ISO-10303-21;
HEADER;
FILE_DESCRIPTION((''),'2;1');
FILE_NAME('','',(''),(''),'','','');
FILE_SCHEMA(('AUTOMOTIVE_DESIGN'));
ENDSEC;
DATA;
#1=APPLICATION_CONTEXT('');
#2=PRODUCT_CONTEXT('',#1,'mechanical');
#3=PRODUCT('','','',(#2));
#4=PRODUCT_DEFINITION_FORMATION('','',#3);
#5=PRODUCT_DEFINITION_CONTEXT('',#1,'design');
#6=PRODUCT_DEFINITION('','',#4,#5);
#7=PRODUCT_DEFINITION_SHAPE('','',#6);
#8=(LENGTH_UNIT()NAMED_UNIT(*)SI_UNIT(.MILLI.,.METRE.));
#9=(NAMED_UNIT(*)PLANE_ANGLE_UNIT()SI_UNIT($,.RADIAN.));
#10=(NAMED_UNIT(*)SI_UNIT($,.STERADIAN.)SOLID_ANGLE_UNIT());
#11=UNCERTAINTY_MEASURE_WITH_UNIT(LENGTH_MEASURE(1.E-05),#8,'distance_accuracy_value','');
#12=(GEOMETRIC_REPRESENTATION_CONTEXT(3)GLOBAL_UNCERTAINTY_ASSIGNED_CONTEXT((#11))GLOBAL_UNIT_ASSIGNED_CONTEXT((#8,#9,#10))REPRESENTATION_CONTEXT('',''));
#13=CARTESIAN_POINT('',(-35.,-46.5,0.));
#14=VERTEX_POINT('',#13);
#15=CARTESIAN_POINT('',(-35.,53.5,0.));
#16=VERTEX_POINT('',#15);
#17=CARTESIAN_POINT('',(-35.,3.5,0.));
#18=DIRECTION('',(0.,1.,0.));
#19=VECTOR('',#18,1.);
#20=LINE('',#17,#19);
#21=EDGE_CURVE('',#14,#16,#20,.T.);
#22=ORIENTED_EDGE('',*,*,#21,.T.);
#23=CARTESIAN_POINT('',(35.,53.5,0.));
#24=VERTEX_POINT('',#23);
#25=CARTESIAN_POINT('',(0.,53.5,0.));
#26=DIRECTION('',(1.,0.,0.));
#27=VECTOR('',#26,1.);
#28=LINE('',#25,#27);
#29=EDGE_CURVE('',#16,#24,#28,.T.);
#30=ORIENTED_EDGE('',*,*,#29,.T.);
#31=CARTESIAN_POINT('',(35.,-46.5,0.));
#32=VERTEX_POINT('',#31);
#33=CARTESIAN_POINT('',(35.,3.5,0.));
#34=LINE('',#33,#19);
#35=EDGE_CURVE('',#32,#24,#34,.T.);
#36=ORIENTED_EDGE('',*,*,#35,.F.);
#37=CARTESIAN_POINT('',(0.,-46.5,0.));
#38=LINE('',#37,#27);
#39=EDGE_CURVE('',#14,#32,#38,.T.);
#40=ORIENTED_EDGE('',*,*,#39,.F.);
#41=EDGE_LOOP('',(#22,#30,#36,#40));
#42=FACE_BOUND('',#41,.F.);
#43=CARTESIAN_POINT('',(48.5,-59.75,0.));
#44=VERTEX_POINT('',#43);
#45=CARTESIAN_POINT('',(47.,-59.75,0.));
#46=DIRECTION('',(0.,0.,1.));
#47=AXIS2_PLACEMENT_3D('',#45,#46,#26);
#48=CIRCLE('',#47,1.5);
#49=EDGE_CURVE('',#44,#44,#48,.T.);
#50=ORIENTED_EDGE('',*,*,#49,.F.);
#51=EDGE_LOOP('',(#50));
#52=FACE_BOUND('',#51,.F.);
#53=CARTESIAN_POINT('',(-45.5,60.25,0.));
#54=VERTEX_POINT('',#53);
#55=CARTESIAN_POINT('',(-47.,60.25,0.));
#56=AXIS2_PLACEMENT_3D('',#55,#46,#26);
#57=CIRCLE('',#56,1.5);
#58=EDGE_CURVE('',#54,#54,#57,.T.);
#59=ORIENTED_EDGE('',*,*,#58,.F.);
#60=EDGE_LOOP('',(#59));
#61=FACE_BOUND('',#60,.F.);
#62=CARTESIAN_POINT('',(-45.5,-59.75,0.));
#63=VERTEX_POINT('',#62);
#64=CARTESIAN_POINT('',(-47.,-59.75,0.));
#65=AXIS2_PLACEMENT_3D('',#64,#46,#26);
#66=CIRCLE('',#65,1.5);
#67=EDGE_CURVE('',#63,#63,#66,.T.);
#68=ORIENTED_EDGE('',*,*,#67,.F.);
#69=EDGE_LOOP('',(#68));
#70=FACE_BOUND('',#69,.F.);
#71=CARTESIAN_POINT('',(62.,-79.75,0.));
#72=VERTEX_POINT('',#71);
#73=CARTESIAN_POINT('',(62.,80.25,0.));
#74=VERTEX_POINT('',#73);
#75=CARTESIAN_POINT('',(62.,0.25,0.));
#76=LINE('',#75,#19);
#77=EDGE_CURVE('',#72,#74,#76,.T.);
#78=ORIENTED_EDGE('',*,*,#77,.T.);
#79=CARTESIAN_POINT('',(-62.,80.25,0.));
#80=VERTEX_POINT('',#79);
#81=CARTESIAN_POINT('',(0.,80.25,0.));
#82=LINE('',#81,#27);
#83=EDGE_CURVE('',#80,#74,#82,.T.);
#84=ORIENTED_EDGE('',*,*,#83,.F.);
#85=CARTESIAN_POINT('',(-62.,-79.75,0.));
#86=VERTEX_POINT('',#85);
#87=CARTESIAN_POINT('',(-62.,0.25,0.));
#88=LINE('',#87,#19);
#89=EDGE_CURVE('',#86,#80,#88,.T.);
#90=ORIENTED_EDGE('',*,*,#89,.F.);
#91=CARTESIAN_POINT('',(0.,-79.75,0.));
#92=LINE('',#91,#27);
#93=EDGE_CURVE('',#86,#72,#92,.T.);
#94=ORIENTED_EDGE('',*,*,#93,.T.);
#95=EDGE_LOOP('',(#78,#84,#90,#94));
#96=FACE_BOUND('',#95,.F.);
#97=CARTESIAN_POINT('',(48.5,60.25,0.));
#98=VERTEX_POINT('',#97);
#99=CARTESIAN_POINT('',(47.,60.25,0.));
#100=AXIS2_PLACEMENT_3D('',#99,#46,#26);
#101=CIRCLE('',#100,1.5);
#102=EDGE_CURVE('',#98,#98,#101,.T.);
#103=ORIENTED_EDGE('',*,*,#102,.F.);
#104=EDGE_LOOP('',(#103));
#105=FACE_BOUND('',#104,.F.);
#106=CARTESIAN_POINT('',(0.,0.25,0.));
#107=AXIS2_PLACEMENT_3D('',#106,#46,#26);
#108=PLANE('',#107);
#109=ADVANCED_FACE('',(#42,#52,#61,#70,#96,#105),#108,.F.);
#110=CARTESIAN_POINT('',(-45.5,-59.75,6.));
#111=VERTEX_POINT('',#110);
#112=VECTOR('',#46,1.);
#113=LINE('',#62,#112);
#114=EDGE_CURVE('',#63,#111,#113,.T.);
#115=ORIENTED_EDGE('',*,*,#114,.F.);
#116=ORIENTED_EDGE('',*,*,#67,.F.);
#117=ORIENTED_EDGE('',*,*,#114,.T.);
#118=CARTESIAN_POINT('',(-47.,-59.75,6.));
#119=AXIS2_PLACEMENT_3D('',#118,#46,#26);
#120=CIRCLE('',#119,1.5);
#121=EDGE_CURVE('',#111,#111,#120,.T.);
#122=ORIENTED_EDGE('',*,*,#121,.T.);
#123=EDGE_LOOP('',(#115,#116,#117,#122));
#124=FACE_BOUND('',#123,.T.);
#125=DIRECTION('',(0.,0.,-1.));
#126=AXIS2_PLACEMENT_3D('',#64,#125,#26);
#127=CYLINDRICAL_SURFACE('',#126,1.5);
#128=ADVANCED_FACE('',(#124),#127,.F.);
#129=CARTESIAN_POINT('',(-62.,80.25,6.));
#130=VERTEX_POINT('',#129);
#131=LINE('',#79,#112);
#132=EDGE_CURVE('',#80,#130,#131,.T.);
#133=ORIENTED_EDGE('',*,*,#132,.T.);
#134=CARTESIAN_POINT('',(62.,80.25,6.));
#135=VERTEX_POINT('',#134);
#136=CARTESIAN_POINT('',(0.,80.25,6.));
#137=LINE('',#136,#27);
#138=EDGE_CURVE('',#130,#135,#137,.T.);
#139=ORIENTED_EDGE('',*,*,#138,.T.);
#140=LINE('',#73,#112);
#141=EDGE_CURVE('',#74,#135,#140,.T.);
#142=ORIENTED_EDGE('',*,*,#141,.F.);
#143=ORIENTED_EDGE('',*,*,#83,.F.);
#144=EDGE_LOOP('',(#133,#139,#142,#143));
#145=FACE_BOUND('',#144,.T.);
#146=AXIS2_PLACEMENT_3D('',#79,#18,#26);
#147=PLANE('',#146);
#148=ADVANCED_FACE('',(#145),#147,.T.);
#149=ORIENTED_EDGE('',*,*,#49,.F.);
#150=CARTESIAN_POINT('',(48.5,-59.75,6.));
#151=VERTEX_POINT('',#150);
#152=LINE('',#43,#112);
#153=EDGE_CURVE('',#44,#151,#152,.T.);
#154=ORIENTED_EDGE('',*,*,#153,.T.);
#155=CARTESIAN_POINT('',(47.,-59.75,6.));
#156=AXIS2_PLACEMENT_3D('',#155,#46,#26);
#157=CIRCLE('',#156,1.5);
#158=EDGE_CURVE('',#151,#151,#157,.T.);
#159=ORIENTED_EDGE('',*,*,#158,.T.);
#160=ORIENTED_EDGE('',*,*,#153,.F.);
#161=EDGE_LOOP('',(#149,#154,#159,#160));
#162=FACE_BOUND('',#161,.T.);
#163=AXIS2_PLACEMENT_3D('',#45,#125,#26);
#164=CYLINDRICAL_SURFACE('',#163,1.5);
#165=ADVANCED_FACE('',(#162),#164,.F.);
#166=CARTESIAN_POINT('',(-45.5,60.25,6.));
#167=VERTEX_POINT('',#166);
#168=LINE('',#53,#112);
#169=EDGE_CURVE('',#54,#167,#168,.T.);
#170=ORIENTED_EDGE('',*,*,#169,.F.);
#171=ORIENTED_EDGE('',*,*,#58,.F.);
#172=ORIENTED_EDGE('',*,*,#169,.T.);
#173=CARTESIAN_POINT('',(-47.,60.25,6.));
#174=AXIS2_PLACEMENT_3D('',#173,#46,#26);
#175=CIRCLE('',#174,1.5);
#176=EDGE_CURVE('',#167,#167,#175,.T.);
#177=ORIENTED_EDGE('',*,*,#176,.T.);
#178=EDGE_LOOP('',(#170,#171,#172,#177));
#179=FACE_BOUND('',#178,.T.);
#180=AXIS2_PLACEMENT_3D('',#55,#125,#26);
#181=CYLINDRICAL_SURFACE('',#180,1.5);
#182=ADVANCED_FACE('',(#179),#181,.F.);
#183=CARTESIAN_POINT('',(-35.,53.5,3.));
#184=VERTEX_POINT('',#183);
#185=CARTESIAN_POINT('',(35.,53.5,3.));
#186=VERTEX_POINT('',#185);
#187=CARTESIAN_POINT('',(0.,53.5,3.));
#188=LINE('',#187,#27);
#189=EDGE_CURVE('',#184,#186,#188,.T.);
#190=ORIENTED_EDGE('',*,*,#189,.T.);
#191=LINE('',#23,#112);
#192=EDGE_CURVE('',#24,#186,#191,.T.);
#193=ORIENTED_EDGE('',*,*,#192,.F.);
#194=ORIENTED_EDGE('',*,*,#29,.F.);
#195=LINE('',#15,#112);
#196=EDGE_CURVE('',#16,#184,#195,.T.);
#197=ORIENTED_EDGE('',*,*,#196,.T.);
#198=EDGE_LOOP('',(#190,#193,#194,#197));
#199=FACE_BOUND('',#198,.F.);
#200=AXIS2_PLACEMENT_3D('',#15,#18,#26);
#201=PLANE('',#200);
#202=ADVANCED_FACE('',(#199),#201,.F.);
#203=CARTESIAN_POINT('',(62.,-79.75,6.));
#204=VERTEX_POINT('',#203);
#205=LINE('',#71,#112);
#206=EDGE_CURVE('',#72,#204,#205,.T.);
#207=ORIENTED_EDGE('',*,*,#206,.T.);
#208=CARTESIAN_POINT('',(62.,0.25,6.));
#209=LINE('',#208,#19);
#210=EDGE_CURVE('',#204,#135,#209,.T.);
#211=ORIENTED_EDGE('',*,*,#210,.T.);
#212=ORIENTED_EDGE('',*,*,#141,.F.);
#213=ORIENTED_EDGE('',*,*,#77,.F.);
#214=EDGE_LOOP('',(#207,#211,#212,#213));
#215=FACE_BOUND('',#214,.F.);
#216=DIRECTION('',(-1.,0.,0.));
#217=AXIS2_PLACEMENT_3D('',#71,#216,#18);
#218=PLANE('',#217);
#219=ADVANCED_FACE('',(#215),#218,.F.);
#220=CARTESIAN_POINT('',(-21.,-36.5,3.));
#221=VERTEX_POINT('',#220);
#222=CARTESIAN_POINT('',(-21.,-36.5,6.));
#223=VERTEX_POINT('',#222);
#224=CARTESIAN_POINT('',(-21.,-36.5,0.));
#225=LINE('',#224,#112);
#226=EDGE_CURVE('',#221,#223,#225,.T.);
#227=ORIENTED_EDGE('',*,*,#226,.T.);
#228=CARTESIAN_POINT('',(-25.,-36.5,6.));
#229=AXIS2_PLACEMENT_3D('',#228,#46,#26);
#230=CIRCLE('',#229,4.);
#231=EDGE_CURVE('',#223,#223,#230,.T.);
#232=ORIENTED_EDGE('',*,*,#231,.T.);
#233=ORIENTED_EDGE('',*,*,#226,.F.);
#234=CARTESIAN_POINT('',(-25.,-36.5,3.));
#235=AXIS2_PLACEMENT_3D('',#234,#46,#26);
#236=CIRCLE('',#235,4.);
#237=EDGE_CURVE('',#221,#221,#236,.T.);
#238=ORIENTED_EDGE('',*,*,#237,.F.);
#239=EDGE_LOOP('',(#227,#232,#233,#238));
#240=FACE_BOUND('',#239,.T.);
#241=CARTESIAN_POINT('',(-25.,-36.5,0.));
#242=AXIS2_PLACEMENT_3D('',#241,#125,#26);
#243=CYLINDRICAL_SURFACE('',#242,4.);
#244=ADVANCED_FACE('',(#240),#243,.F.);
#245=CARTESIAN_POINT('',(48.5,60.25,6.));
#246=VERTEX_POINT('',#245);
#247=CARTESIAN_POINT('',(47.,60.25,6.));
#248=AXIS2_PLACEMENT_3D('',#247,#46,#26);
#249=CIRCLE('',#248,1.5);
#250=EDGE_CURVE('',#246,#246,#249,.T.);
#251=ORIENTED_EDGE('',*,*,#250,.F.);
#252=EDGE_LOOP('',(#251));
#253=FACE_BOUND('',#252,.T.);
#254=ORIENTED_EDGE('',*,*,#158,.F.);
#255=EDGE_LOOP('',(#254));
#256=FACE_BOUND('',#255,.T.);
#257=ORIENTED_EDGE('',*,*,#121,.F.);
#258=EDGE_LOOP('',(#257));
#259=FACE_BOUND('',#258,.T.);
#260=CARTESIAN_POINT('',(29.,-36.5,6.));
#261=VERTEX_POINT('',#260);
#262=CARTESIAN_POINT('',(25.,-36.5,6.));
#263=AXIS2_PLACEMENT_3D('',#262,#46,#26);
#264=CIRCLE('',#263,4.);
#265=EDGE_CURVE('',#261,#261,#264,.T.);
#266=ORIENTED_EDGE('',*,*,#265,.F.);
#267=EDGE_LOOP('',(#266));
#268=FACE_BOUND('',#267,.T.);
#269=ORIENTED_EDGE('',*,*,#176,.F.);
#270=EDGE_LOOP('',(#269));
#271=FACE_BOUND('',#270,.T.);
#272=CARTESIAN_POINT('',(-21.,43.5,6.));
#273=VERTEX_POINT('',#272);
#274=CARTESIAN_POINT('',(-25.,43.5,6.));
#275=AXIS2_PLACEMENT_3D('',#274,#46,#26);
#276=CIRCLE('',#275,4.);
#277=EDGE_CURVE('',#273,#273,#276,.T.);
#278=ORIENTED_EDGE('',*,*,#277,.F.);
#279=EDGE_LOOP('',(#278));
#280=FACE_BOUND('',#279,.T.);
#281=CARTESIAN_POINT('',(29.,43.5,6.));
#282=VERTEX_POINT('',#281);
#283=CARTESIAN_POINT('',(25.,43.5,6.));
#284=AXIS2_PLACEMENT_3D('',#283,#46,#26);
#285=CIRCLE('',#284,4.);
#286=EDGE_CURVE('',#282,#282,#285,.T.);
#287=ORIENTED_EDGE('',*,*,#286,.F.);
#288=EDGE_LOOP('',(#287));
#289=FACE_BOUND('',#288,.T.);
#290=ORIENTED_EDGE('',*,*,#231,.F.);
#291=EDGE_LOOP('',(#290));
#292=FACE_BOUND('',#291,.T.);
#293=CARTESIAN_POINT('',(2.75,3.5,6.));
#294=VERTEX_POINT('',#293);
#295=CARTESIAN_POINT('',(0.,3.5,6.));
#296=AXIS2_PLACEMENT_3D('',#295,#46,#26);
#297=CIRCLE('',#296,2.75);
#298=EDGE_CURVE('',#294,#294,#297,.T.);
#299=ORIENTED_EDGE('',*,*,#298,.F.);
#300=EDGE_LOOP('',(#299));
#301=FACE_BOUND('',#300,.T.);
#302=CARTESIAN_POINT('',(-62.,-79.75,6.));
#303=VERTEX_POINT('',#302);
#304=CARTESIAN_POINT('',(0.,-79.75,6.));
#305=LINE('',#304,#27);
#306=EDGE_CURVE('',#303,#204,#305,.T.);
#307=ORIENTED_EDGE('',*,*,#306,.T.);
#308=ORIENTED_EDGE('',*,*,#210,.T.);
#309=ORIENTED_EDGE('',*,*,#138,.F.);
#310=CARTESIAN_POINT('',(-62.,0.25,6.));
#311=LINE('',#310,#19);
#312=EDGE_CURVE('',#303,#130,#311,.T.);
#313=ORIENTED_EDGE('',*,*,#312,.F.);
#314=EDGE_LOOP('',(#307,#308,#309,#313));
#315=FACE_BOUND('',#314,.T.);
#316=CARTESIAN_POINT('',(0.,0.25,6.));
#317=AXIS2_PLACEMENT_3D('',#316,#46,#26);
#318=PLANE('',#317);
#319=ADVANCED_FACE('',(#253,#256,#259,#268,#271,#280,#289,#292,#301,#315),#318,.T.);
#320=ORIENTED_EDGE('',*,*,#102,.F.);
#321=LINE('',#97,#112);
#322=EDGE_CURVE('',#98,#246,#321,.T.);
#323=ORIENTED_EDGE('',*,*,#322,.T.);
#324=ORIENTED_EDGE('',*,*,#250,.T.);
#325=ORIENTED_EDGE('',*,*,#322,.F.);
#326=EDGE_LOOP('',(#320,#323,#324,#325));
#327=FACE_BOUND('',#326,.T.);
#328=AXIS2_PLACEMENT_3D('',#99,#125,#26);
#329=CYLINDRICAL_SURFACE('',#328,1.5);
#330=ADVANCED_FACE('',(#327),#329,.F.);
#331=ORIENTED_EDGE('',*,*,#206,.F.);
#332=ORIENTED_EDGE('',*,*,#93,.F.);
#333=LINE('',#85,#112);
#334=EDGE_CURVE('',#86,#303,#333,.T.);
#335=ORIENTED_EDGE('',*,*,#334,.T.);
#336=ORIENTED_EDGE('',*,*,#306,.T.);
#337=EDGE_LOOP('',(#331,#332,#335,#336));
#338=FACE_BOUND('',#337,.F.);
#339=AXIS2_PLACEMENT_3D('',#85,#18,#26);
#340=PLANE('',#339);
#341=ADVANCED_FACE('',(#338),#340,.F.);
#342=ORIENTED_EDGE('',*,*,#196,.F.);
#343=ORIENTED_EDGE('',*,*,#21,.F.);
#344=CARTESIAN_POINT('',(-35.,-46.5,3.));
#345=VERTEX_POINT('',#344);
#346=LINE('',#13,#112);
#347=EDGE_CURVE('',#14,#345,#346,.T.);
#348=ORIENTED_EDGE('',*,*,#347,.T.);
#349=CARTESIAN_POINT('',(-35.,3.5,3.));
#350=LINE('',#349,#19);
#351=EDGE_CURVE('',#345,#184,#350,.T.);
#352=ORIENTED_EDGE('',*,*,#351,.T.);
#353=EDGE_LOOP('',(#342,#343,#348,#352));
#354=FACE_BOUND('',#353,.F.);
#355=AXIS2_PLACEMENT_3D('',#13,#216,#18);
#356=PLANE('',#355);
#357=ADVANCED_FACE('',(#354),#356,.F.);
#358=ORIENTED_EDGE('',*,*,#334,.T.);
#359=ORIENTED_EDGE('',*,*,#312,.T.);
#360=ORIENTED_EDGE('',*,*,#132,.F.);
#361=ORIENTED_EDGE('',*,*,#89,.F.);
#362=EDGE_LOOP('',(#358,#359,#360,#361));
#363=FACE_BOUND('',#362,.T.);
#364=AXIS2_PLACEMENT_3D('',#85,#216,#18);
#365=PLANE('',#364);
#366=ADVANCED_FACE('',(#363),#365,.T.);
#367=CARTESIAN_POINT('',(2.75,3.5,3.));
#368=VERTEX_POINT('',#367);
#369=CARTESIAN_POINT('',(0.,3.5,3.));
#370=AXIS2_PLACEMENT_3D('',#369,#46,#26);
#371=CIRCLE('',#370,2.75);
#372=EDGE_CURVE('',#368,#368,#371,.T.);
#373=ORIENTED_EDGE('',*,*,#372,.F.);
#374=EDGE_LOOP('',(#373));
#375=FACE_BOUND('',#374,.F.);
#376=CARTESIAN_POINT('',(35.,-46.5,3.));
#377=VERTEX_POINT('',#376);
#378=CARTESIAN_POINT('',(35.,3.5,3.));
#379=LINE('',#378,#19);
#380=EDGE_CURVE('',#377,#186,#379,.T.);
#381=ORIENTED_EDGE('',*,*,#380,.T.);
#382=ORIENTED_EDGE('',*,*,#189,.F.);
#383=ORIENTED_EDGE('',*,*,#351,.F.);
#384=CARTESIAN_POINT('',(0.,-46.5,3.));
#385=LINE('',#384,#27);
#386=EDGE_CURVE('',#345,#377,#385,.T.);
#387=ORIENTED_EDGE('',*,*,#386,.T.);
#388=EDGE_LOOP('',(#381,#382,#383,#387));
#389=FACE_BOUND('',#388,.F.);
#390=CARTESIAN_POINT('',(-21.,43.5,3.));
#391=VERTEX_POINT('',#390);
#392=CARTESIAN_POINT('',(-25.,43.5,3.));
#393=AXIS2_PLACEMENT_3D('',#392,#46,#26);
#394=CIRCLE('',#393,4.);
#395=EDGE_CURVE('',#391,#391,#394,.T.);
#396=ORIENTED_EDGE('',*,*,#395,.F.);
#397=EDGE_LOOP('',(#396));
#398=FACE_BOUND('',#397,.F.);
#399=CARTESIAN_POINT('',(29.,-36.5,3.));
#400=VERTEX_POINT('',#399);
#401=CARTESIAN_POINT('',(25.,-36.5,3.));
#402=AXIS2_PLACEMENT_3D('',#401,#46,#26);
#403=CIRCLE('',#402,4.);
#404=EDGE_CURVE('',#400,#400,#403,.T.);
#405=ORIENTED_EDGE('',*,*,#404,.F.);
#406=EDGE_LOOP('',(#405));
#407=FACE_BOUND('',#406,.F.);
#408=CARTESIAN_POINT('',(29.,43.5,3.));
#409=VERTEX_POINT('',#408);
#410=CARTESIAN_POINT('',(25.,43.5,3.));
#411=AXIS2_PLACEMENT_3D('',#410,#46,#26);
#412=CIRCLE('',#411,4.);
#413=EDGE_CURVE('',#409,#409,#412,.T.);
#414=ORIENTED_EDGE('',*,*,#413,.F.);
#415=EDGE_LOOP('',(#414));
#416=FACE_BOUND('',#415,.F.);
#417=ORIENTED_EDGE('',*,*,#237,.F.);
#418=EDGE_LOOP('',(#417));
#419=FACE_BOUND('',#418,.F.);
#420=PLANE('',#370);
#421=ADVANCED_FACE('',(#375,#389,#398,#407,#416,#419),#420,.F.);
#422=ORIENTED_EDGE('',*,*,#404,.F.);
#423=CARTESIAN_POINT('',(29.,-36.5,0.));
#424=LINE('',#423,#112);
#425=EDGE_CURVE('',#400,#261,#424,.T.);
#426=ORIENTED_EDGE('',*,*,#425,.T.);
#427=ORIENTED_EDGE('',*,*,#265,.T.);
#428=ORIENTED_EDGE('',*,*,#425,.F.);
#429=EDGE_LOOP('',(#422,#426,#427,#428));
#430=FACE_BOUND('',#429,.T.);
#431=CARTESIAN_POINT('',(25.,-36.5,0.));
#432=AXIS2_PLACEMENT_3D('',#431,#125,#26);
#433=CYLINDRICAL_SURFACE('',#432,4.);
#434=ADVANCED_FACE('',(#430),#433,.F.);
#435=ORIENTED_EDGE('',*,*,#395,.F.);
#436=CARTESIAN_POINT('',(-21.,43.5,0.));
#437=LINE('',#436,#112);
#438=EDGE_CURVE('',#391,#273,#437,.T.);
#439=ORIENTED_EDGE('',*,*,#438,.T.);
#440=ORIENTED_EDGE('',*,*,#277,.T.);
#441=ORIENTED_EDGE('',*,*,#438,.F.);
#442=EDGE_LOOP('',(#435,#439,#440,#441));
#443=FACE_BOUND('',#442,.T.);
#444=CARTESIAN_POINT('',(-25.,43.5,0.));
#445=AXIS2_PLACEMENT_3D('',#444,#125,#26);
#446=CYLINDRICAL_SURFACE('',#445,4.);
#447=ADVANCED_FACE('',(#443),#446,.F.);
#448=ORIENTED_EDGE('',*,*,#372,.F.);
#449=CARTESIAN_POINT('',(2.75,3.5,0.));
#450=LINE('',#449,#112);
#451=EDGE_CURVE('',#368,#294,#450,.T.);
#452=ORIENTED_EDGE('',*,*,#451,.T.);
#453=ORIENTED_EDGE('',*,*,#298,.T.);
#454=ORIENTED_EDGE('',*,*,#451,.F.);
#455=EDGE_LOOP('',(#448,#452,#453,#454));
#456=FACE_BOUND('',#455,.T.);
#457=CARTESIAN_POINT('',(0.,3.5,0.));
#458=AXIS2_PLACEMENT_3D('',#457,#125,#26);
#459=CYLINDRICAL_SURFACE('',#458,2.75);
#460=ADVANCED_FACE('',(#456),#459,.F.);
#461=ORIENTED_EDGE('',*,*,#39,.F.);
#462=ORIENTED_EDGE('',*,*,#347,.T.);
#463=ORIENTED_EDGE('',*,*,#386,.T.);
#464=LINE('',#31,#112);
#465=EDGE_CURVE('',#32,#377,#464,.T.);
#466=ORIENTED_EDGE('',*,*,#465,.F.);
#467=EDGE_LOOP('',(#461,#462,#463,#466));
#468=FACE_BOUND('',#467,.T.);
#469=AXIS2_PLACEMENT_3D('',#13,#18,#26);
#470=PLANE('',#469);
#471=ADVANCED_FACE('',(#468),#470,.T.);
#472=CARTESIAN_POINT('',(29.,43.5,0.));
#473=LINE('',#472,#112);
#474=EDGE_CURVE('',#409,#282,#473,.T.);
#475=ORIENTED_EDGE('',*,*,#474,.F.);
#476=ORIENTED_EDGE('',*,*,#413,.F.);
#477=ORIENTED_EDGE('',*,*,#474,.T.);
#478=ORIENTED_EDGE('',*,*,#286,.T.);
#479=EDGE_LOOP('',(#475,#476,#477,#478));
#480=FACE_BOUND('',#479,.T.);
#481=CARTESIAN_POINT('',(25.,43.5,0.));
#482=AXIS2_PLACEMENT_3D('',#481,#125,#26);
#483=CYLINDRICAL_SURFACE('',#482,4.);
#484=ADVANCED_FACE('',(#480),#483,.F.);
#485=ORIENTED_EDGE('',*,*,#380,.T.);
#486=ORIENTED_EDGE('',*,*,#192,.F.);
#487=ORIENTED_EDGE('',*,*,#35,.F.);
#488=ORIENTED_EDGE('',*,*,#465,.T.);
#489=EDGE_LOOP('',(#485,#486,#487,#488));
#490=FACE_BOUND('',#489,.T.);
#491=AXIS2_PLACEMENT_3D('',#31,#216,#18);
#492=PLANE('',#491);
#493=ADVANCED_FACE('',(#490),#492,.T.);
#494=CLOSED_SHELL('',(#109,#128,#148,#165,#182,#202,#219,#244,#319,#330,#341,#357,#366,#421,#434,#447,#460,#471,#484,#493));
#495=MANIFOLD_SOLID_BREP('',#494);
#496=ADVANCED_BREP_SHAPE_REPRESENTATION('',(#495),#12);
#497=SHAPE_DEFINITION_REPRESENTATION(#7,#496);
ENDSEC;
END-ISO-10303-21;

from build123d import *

# Parameters (mm, degrees)
F0_W     = 124
F0_H     = 160
F0_R     = 1.5
F0_W_2   = 70
F0_H_2   = 100
F0_R_2   = 4
F0_R_3   = 2.75
F1_DEPTH = 6
F2_DEPTH = 3


with BuildPart() as f1:
    # F0 (on Top) → F1 (new body)
    with BuildSketch(Plane.XY):
        with Locations((0, 0.25)):
            Rectangle(F0_W, F0_H)
        with Locations((-47, -59.75)):
            Circle(F0_R, mode=Mode.SUBTRACT)
        with Locations((47, -59.75)):
            Circle(F0_R, mode=Mode.SUBTRACT)
        with Locations((-47, 60.25)):
            Circle(F0_R, mode=Mode.SUBTRACT)
        with Locations((0, 3.5)):
            Rectangle(F0_W_2, F0_H_2, mode=Mode.SUBTRACT)
        with Locations((47, 60.25)):
            Circle(F0_R, mode=Mode.SUBTRACT)
        with Locations((0, 3.5)):
            Rectangle(F0_W_2, F0_H_2)
        with Locations((-25, -36.5)):
            Circle(F0_R_2, mode=Mode.SUBTRACT)
        with Locations((25, -36.5)):
            Circle(F0_R_2, mode=Mode.SUBTRACT)
        with Locations((-25, 43.5)):
            Circle(F0_R_2, mode=Mode.SUBTRACT)
        with Locations((0, 3.5)):
            Circle(F0_R_3, mode=Mode.SUBTRACT)
        with Locations((25, 43.5)):
            Circle(F0_R_2, mode=Mode.SUBTRACT)
    extrude(amount=F1_DEPTH)

    # F0 (on Top) → F2 (cut)
    with BuildSketch(Plane.XY):
        with Locations((0, 3.5)):
            Rectangle(F0_W_2, F0_H_2)
        with Locations((-25, -36.5)):
            Circle(F0_R_2, mode=Mode.SUBTRACT)
        with Locations((25, -36.5)):
            Circle(F0_R_2, mode=Mode.SUBTRACT)
        with Locations((-25, 43.5)):
            Circle(F0_R_2, mode=Mode.SUBTRACT)
        with Locations((0, 3.5)):
            Circle(F0_R_3, mode=Mode.SUBTRACT)
        with Locations((25, 43.5)):
            Circle(F0_R_2, mode=Mode.SUBTRACT)
    extrude(amount=F2_DEPTH, mode=Mode.SUBTRACT)


solid = f1.part
